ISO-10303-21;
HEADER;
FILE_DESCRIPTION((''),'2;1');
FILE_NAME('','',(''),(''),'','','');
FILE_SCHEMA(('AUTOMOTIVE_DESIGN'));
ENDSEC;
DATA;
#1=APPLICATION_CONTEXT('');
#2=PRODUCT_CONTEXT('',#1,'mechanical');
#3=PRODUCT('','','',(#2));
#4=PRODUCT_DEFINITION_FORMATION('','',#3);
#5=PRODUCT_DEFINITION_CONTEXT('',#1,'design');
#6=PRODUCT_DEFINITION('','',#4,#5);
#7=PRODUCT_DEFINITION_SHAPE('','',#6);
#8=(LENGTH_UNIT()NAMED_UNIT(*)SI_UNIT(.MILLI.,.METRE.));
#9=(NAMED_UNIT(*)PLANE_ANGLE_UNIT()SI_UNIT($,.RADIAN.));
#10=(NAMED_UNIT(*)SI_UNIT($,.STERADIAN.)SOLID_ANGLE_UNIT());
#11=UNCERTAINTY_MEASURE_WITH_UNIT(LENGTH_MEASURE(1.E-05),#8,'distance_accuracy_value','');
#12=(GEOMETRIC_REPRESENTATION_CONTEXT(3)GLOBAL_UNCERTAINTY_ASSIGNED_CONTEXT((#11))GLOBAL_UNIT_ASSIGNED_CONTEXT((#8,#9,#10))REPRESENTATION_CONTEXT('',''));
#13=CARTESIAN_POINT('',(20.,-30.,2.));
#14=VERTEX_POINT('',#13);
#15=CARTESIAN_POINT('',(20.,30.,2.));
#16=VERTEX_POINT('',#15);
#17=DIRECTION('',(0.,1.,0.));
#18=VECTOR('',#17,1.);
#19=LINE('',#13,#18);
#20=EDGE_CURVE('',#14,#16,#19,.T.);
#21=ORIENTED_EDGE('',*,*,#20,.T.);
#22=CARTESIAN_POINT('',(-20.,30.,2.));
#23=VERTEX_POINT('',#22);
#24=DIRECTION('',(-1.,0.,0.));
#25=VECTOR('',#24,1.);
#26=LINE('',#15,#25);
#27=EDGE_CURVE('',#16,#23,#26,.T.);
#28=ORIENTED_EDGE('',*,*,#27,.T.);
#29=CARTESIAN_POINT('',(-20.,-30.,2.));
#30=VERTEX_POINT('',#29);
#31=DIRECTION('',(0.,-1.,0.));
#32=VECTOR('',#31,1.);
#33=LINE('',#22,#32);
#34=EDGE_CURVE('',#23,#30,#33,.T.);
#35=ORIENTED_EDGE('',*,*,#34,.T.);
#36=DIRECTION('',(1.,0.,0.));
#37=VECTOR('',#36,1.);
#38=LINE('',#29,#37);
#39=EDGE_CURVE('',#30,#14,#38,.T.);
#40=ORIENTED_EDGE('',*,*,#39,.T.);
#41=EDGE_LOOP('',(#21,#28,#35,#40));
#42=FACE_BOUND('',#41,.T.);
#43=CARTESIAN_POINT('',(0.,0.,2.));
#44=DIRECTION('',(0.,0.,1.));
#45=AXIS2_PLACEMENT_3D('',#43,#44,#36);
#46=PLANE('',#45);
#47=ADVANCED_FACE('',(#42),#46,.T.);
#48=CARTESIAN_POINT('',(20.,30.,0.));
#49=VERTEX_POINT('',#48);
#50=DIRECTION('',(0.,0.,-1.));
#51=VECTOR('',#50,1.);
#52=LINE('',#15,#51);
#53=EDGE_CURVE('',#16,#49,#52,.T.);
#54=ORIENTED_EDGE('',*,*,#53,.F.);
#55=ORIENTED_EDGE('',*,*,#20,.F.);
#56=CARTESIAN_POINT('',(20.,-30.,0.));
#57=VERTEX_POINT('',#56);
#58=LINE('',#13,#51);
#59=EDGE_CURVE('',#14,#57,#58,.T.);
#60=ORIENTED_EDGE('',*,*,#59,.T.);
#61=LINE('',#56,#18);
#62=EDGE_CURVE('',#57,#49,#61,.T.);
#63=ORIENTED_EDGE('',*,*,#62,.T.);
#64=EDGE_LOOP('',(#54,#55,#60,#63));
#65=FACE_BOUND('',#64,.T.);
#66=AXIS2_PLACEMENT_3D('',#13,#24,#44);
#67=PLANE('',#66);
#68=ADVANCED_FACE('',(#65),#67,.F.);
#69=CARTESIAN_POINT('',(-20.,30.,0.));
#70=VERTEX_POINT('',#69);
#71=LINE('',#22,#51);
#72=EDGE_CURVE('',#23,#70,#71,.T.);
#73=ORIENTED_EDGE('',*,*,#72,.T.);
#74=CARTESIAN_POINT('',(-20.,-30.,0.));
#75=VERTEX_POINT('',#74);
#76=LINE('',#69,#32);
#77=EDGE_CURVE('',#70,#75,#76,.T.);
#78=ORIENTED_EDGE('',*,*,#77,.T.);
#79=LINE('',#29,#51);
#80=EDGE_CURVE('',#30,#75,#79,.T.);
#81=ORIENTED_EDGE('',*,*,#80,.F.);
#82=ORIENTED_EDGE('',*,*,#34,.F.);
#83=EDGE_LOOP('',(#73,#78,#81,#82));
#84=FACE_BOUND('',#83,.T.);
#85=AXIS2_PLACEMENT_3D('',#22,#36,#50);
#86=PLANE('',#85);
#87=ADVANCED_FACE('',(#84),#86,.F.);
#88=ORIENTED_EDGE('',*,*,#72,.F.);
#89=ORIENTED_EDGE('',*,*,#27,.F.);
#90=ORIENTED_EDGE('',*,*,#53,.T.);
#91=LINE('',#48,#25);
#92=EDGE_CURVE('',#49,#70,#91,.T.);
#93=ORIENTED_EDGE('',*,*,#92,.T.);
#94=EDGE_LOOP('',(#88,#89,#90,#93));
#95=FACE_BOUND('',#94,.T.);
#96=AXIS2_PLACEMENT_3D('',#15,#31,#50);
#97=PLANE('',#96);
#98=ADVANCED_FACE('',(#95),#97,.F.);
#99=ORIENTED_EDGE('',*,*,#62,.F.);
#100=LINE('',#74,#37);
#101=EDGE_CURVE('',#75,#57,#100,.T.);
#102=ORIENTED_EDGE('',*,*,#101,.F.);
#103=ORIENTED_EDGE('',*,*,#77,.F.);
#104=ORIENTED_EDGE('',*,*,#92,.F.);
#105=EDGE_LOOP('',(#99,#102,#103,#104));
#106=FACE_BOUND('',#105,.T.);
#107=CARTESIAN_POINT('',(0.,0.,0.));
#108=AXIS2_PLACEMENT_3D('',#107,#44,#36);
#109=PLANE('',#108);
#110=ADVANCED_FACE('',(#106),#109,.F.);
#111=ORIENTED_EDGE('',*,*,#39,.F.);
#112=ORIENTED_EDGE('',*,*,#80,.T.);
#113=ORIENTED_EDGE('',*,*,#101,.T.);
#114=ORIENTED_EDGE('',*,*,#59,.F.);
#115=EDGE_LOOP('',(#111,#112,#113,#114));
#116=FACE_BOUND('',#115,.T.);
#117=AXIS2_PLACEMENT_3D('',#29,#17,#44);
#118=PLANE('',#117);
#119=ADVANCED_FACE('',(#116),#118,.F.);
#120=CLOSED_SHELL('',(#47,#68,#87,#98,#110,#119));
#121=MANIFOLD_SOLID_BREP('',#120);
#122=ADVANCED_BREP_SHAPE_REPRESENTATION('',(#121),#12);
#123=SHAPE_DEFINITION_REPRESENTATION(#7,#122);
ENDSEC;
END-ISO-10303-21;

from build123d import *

# Parameters (mm, degrees)
SKETCH_1_W  = 40
SKETCH_1_H  = 60
F_2MM_DEPTH = 2


with BuildPart() as part:
    # 草图1 → 飞控减振垫_2mm占位 (new body)
    with BuildSketch(Plane.XY):
        Rectangle(SKETCH_1_W, SKETCH_1_H)
    extrude(amount=F_2MM_DEPTH)


solid = part.part
